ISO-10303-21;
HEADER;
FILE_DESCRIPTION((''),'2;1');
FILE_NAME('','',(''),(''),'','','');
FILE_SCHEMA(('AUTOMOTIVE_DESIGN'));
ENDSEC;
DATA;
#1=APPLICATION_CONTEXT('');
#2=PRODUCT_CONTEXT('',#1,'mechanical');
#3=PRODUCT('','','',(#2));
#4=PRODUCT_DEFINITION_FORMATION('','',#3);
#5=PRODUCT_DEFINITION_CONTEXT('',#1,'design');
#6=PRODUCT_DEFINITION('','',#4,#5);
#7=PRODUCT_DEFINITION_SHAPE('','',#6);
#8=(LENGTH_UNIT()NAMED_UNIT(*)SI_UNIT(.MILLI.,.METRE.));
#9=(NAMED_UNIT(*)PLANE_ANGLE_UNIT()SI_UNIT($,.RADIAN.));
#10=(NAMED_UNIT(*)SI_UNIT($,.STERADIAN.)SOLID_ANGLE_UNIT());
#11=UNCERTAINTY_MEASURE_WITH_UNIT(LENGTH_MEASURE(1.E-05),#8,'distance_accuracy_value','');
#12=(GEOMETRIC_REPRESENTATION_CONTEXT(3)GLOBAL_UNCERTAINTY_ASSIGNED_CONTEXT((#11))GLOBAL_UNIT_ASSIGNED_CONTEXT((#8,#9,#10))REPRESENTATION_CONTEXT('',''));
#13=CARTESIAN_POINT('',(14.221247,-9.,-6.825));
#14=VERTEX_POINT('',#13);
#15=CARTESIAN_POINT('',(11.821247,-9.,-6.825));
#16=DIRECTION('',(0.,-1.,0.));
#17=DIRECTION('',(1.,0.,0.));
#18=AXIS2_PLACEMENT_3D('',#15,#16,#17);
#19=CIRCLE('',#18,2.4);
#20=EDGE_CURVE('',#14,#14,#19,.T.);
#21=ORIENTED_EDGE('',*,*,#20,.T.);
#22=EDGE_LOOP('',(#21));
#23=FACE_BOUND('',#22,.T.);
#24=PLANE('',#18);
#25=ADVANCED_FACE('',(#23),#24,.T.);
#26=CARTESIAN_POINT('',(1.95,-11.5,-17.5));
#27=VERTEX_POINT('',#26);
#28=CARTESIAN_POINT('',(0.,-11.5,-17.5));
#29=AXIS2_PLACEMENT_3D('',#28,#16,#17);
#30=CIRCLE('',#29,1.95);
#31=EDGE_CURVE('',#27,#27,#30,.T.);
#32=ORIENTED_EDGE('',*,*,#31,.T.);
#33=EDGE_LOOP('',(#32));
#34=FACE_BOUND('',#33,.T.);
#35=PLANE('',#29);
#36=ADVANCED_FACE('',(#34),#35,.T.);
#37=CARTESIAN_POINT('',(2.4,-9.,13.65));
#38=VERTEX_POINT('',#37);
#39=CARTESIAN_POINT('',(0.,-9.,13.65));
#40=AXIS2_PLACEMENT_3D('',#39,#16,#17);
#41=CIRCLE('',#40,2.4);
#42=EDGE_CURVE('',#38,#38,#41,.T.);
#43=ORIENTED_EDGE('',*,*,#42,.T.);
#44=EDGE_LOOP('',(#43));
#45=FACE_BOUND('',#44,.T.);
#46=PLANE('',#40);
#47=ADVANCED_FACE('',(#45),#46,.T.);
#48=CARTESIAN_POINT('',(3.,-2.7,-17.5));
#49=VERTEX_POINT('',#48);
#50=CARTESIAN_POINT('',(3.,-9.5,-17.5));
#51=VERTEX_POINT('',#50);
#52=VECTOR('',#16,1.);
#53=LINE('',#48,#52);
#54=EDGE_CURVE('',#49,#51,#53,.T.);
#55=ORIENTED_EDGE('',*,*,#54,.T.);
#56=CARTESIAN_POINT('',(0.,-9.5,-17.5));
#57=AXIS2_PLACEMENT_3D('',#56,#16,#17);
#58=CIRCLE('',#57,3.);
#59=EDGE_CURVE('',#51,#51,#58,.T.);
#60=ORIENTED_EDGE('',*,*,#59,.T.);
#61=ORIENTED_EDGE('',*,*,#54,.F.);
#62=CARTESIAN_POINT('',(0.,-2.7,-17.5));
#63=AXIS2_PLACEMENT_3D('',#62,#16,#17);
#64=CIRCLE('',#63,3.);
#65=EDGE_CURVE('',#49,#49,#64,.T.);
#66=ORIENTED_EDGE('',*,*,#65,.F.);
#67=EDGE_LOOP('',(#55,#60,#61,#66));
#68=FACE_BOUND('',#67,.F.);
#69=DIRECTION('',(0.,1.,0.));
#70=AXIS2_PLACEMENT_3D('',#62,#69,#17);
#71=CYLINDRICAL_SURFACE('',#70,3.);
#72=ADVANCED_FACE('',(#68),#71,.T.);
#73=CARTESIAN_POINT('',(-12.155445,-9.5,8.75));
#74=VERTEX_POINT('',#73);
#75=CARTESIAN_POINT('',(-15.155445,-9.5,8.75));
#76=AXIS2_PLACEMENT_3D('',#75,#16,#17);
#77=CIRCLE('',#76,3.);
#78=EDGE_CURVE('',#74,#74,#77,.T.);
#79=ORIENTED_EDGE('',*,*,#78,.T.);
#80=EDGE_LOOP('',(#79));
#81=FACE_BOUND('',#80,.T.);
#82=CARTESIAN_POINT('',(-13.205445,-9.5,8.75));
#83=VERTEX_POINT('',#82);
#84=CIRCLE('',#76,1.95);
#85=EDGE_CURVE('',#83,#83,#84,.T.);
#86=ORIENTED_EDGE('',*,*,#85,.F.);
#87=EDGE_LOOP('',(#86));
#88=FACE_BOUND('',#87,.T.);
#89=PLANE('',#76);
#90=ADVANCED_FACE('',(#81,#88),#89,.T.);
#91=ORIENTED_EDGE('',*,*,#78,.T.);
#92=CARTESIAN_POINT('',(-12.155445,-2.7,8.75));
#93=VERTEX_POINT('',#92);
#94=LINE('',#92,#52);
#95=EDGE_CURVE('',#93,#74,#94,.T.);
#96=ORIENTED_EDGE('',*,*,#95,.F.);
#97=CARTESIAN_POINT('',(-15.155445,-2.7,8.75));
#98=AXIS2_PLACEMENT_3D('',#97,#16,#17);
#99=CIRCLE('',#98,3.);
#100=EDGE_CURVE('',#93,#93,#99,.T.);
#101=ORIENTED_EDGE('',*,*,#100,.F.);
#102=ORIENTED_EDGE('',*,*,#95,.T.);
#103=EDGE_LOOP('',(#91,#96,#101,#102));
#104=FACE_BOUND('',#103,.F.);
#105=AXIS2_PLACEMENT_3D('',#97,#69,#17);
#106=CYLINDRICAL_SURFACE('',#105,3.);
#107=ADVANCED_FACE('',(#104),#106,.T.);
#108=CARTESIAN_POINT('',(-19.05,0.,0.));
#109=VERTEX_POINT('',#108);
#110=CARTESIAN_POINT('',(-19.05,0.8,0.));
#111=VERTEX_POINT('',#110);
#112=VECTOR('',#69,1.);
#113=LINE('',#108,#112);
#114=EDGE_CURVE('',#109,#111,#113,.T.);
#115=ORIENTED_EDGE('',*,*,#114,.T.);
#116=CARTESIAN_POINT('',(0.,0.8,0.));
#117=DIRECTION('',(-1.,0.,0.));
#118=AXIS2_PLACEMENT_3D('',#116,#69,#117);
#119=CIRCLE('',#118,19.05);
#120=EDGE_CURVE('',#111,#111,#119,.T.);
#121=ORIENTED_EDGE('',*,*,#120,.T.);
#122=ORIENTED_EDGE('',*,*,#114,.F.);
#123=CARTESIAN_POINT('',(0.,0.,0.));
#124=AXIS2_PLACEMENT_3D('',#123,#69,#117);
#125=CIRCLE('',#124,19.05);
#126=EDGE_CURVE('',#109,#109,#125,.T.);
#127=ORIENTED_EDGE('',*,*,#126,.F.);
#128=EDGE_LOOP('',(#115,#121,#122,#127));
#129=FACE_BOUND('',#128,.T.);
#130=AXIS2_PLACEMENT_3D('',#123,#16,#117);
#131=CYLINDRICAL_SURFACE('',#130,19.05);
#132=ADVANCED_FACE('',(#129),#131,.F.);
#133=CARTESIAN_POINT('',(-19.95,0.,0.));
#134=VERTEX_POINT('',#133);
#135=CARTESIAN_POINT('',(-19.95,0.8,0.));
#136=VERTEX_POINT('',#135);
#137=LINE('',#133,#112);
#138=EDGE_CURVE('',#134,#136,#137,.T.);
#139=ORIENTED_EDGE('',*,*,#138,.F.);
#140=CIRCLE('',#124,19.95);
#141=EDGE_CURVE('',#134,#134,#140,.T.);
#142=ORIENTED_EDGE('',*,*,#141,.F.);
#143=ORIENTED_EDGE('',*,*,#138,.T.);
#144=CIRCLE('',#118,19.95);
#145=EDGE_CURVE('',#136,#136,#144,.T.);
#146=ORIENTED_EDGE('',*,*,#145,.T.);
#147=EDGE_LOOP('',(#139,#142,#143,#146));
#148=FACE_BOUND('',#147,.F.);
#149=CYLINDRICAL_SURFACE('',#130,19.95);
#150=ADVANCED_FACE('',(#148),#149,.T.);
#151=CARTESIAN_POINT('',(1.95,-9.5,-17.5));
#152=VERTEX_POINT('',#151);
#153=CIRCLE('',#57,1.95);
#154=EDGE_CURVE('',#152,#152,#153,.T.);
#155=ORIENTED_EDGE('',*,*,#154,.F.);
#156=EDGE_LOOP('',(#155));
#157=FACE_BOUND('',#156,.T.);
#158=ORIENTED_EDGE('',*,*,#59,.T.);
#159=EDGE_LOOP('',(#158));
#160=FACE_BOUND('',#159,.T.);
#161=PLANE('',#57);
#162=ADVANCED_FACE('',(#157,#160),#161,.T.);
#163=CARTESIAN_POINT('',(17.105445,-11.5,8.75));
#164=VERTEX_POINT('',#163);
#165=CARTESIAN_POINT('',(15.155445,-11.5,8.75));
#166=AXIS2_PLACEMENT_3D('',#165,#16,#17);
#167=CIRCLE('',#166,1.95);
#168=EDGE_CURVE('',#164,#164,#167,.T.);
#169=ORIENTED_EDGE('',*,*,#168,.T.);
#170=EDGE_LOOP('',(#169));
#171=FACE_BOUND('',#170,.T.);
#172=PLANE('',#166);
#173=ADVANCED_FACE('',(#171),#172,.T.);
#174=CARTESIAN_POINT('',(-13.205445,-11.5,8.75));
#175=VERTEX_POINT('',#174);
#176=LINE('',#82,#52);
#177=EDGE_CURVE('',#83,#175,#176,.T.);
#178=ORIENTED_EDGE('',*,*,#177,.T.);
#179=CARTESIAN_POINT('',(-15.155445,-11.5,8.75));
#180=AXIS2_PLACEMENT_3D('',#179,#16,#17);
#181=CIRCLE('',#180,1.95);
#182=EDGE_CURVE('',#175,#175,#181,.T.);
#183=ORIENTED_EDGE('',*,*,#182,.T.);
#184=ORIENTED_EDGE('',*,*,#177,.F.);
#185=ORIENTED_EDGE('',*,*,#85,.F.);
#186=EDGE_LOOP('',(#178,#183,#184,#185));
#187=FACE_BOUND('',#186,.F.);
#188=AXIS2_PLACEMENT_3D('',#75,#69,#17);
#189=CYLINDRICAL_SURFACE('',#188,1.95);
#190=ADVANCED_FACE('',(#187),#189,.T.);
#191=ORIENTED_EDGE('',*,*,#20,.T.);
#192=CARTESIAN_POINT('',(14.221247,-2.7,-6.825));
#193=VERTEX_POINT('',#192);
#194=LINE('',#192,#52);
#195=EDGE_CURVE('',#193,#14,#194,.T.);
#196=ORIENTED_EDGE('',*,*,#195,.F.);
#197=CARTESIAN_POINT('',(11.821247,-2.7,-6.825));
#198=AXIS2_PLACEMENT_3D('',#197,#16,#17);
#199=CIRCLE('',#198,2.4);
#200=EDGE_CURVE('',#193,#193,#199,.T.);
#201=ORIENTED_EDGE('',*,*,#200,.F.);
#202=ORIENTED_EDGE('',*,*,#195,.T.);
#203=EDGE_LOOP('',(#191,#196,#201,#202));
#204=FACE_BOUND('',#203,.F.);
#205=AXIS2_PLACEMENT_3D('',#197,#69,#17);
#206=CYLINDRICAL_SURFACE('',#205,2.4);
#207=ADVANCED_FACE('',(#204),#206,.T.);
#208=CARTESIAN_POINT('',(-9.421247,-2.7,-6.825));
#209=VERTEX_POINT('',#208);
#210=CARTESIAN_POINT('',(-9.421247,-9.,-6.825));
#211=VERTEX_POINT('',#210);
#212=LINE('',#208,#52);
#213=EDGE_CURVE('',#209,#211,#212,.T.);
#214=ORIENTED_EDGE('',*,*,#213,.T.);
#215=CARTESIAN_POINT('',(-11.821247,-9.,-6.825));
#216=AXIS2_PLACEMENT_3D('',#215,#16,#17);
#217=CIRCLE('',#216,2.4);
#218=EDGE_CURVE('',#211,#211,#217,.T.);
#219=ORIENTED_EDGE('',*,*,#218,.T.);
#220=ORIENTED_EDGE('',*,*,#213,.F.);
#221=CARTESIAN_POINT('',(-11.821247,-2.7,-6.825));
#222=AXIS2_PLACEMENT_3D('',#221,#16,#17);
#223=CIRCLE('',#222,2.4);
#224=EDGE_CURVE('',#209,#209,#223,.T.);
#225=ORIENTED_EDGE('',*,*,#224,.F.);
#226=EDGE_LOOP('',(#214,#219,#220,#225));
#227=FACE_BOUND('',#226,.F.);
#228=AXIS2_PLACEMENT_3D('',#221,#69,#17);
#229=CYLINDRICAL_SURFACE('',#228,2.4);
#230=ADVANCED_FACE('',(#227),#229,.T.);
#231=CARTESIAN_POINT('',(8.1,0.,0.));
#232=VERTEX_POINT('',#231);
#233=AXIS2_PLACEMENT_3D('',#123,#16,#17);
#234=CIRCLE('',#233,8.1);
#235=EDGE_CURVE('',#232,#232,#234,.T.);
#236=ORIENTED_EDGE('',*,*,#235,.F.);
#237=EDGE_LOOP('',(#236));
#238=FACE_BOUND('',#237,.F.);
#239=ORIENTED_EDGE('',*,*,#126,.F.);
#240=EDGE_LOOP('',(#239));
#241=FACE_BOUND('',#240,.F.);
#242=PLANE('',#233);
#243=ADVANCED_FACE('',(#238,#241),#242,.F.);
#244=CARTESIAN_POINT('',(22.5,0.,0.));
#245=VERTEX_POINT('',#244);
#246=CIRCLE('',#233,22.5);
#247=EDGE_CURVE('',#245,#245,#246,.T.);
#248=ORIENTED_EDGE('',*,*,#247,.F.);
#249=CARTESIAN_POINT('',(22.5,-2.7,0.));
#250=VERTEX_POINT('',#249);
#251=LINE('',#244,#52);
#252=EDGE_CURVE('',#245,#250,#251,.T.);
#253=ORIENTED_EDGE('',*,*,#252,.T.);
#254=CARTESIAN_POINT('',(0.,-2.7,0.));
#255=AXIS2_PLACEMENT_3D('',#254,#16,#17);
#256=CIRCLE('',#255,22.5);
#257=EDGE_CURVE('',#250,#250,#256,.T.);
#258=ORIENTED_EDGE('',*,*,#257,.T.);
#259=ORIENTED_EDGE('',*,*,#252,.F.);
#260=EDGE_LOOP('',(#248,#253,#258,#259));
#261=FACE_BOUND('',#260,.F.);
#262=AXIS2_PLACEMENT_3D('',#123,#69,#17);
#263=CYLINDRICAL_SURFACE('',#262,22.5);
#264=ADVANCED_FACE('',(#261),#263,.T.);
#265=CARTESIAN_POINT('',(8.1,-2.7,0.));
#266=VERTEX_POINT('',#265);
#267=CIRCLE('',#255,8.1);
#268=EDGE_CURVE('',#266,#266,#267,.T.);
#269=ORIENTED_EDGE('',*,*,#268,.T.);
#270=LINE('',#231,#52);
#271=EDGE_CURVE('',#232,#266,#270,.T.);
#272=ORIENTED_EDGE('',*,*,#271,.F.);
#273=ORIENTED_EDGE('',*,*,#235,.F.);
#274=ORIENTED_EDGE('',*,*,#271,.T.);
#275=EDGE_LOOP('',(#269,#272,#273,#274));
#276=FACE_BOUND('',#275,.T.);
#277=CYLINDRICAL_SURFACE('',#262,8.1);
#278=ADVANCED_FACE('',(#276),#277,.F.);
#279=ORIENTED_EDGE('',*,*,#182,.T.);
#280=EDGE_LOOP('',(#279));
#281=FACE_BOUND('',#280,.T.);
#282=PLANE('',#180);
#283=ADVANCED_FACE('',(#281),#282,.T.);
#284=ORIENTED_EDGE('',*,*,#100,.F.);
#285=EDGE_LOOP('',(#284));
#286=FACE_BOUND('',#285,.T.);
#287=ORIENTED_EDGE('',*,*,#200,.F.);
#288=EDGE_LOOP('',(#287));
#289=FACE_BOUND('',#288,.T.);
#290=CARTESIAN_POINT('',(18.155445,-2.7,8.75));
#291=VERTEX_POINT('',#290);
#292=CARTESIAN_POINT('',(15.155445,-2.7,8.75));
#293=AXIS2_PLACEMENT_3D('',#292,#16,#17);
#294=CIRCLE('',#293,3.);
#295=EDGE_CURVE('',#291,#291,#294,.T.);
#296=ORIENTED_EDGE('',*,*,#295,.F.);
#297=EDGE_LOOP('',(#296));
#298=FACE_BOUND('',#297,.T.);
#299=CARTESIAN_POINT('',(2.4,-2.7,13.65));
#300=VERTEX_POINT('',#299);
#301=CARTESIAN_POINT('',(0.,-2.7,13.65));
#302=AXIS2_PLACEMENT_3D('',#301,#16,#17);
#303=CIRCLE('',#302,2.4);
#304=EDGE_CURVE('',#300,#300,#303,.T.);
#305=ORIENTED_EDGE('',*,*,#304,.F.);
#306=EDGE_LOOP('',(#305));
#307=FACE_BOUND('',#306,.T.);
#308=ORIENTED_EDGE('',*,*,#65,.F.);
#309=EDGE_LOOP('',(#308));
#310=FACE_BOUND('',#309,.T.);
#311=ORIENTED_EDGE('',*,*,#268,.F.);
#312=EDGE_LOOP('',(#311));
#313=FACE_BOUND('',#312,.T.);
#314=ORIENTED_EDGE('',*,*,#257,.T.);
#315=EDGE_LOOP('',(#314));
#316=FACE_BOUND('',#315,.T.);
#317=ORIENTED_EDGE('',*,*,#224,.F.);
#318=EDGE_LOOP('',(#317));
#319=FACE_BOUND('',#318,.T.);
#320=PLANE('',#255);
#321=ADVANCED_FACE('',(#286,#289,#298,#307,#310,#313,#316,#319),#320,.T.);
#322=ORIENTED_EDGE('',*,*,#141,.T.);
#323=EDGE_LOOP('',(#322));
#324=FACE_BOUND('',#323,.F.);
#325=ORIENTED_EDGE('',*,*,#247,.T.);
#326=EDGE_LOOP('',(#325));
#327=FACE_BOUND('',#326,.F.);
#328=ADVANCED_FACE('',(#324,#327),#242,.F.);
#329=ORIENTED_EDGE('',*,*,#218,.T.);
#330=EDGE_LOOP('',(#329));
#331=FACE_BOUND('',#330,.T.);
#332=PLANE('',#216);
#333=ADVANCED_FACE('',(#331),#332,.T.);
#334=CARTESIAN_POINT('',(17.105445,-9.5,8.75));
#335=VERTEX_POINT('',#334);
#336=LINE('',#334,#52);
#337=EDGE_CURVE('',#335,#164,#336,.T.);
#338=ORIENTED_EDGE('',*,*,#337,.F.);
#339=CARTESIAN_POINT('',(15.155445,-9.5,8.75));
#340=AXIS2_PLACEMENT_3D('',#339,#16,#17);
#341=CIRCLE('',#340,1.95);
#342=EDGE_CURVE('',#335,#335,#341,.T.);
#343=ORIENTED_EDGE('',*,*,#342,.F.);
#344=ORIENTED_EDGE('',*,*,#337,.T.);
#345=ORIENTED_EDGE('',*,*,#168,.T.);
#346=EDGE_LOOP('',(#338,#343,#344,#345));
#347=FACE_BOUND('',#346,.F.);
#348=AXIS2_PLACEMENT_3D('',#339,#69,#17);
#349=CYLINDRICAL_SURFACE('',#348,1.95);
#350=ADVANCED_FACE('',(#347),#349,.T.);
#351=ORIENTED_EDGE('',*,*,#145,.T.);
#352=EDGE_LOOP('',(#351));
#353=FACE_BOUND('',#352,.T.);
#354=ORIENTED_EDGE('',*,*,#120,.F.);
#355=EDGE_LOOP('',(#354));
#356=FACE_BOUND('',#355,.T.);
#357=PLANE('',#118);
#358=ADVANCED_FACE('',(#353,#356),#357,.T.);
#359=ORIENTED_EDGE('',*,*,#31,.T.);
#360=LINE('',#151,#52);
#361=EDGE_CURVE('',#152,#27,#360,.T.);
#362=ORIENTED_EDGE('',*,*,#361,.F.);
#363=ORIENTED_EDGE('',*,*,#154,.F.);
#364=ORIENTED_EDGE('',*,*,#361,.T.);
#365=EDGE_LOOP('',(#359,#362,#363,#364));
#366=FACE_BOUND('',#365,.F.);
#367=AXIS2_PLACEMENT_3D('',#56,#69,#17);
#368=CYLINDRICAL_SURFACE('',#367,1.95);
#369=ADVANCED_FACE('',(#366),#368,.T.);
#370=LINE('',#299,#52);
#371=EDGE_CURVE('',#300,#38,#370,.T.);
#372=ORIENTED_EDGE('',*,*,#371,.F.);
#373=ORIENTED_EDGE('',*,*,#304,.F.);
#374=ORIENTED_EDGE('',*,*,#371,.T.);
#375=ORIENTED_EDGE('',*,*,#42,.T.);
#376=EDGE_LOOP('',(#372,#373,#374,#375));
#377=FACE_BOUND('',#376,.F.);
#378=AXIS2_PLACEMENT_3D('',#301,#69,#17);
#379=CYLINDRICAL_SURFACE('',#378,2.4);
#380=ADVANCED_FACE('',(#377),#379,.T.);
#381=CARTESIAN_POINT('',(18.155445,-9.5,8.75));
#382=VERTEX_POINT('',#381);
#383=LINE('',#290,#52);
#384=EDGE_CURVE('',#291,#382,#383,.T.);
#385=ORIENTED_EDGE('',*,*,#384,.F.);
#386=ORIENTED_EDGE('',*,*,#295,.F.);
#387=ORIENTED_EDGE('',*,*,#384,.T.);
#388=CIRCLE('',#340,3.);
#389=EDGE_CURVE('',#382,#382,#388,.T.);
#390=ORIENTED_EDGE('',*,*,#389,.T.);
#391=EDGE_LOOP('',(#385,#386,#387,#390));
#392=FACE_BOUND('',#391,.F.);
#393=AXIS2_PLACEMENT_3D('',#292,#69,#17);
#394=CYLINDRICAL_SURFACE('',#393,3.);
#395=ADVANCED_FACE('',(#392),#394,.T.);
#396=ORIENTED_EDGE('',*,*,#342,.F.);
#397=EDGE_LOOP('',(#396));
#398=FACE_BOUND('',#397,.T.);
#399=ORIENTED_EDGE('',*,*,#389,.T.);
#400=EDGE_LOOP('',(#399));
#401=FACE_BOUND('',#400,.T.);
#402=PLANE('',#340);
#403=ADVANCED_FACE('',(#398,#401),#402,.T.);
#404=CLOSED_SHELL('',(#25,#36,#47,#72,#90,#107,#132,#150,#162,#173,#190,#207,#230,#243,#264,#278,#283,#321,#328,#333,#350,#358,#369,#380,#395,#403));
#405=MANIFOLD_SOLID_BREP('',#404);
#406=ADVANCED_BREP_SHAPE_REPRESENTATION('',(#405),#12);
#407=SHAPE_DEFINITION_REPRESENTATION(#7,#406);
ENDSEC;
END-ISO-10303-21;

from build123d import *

# Parameters (mm, degrees)
F0_R      = 22.5
F0_R_2    = 8.1
F1_DEPTH  = 2.7
F2_R      = 2.4
F3_DEPTH  = 6.3
F4_R      = 3
F5_DEPTH  = 6.8
F6_R      = 1.95
F7_R      = 1.95
F8_R      = 1.95
F9_DEPTH  = 2
F10_R     = 19.95
F10_R_2   = 19.05
F11_DEPTH = 0.8


with BuildPart() as f1:
    # F0 (on Front) → F1 (new body)
    with BuildSketch(Plane.XZ):
        Circle(F0_R)
        Circle(F0_R_2, mode=Mode.SUBTRACT)
    extrude(amount=F1_DEPTH)

    # F2 (on face) → F3 (join)
    with BuildSketch(Plane.XZ.offset(2.7)):
        with Locations((0, 13.65)):
            Circle(F2_R)
        with Locations((-11.821247, -6.825)):
            Circle(F2_R)
        with Locations((11.821247, -6.825)):
            Circle(F2_R)
    extrude(amount=F3_DEPTH)

    # F4 (on face) → F5 (join)
    with BuildSketch(Plane.XZ.offset(2.7)):
        with Locations((0, -17.5)):
            Circle(F4_R)
        with Locations((15.155445, 8.75)):
            Circle(F4_R)
        with Locations((-15.155445, 8.75)):
            Circle(F4_R)
    extrude(amount=F5_DEPTH)

    # F6 (on face) + F7 (on face) + F8 (on face) → F9 (join)
    with BuildSketch(Plane.XZ.offset(9.5)):
        with Locations((0, -17.5)):
            Circle(F6_R)
    with BuildSketch(Plane.XZ.offset(9.5)):
        with Locations((-15.155445, 8.75)):
            Circle(F7_R)
    with BuildSketch(Plane.XZ.offset(9.5)):
        with Locations((15.155445, 8.75)):
            Circle(F8_R)
    extrude(amount=F9_DEPTH)

    # F10 (on face) → F11 (join)
    with BuildSketch(Plane(origin=(0, 0, 0), x_dir=(-1, 0, 0), z_dir=(0, 1, 0))):
        Circle(F10_R)
        Circle(F10_R_2, mode=Mode.SUBTRACT)
    extrude(amount=F11_DEPTH)


solid = f1.part
